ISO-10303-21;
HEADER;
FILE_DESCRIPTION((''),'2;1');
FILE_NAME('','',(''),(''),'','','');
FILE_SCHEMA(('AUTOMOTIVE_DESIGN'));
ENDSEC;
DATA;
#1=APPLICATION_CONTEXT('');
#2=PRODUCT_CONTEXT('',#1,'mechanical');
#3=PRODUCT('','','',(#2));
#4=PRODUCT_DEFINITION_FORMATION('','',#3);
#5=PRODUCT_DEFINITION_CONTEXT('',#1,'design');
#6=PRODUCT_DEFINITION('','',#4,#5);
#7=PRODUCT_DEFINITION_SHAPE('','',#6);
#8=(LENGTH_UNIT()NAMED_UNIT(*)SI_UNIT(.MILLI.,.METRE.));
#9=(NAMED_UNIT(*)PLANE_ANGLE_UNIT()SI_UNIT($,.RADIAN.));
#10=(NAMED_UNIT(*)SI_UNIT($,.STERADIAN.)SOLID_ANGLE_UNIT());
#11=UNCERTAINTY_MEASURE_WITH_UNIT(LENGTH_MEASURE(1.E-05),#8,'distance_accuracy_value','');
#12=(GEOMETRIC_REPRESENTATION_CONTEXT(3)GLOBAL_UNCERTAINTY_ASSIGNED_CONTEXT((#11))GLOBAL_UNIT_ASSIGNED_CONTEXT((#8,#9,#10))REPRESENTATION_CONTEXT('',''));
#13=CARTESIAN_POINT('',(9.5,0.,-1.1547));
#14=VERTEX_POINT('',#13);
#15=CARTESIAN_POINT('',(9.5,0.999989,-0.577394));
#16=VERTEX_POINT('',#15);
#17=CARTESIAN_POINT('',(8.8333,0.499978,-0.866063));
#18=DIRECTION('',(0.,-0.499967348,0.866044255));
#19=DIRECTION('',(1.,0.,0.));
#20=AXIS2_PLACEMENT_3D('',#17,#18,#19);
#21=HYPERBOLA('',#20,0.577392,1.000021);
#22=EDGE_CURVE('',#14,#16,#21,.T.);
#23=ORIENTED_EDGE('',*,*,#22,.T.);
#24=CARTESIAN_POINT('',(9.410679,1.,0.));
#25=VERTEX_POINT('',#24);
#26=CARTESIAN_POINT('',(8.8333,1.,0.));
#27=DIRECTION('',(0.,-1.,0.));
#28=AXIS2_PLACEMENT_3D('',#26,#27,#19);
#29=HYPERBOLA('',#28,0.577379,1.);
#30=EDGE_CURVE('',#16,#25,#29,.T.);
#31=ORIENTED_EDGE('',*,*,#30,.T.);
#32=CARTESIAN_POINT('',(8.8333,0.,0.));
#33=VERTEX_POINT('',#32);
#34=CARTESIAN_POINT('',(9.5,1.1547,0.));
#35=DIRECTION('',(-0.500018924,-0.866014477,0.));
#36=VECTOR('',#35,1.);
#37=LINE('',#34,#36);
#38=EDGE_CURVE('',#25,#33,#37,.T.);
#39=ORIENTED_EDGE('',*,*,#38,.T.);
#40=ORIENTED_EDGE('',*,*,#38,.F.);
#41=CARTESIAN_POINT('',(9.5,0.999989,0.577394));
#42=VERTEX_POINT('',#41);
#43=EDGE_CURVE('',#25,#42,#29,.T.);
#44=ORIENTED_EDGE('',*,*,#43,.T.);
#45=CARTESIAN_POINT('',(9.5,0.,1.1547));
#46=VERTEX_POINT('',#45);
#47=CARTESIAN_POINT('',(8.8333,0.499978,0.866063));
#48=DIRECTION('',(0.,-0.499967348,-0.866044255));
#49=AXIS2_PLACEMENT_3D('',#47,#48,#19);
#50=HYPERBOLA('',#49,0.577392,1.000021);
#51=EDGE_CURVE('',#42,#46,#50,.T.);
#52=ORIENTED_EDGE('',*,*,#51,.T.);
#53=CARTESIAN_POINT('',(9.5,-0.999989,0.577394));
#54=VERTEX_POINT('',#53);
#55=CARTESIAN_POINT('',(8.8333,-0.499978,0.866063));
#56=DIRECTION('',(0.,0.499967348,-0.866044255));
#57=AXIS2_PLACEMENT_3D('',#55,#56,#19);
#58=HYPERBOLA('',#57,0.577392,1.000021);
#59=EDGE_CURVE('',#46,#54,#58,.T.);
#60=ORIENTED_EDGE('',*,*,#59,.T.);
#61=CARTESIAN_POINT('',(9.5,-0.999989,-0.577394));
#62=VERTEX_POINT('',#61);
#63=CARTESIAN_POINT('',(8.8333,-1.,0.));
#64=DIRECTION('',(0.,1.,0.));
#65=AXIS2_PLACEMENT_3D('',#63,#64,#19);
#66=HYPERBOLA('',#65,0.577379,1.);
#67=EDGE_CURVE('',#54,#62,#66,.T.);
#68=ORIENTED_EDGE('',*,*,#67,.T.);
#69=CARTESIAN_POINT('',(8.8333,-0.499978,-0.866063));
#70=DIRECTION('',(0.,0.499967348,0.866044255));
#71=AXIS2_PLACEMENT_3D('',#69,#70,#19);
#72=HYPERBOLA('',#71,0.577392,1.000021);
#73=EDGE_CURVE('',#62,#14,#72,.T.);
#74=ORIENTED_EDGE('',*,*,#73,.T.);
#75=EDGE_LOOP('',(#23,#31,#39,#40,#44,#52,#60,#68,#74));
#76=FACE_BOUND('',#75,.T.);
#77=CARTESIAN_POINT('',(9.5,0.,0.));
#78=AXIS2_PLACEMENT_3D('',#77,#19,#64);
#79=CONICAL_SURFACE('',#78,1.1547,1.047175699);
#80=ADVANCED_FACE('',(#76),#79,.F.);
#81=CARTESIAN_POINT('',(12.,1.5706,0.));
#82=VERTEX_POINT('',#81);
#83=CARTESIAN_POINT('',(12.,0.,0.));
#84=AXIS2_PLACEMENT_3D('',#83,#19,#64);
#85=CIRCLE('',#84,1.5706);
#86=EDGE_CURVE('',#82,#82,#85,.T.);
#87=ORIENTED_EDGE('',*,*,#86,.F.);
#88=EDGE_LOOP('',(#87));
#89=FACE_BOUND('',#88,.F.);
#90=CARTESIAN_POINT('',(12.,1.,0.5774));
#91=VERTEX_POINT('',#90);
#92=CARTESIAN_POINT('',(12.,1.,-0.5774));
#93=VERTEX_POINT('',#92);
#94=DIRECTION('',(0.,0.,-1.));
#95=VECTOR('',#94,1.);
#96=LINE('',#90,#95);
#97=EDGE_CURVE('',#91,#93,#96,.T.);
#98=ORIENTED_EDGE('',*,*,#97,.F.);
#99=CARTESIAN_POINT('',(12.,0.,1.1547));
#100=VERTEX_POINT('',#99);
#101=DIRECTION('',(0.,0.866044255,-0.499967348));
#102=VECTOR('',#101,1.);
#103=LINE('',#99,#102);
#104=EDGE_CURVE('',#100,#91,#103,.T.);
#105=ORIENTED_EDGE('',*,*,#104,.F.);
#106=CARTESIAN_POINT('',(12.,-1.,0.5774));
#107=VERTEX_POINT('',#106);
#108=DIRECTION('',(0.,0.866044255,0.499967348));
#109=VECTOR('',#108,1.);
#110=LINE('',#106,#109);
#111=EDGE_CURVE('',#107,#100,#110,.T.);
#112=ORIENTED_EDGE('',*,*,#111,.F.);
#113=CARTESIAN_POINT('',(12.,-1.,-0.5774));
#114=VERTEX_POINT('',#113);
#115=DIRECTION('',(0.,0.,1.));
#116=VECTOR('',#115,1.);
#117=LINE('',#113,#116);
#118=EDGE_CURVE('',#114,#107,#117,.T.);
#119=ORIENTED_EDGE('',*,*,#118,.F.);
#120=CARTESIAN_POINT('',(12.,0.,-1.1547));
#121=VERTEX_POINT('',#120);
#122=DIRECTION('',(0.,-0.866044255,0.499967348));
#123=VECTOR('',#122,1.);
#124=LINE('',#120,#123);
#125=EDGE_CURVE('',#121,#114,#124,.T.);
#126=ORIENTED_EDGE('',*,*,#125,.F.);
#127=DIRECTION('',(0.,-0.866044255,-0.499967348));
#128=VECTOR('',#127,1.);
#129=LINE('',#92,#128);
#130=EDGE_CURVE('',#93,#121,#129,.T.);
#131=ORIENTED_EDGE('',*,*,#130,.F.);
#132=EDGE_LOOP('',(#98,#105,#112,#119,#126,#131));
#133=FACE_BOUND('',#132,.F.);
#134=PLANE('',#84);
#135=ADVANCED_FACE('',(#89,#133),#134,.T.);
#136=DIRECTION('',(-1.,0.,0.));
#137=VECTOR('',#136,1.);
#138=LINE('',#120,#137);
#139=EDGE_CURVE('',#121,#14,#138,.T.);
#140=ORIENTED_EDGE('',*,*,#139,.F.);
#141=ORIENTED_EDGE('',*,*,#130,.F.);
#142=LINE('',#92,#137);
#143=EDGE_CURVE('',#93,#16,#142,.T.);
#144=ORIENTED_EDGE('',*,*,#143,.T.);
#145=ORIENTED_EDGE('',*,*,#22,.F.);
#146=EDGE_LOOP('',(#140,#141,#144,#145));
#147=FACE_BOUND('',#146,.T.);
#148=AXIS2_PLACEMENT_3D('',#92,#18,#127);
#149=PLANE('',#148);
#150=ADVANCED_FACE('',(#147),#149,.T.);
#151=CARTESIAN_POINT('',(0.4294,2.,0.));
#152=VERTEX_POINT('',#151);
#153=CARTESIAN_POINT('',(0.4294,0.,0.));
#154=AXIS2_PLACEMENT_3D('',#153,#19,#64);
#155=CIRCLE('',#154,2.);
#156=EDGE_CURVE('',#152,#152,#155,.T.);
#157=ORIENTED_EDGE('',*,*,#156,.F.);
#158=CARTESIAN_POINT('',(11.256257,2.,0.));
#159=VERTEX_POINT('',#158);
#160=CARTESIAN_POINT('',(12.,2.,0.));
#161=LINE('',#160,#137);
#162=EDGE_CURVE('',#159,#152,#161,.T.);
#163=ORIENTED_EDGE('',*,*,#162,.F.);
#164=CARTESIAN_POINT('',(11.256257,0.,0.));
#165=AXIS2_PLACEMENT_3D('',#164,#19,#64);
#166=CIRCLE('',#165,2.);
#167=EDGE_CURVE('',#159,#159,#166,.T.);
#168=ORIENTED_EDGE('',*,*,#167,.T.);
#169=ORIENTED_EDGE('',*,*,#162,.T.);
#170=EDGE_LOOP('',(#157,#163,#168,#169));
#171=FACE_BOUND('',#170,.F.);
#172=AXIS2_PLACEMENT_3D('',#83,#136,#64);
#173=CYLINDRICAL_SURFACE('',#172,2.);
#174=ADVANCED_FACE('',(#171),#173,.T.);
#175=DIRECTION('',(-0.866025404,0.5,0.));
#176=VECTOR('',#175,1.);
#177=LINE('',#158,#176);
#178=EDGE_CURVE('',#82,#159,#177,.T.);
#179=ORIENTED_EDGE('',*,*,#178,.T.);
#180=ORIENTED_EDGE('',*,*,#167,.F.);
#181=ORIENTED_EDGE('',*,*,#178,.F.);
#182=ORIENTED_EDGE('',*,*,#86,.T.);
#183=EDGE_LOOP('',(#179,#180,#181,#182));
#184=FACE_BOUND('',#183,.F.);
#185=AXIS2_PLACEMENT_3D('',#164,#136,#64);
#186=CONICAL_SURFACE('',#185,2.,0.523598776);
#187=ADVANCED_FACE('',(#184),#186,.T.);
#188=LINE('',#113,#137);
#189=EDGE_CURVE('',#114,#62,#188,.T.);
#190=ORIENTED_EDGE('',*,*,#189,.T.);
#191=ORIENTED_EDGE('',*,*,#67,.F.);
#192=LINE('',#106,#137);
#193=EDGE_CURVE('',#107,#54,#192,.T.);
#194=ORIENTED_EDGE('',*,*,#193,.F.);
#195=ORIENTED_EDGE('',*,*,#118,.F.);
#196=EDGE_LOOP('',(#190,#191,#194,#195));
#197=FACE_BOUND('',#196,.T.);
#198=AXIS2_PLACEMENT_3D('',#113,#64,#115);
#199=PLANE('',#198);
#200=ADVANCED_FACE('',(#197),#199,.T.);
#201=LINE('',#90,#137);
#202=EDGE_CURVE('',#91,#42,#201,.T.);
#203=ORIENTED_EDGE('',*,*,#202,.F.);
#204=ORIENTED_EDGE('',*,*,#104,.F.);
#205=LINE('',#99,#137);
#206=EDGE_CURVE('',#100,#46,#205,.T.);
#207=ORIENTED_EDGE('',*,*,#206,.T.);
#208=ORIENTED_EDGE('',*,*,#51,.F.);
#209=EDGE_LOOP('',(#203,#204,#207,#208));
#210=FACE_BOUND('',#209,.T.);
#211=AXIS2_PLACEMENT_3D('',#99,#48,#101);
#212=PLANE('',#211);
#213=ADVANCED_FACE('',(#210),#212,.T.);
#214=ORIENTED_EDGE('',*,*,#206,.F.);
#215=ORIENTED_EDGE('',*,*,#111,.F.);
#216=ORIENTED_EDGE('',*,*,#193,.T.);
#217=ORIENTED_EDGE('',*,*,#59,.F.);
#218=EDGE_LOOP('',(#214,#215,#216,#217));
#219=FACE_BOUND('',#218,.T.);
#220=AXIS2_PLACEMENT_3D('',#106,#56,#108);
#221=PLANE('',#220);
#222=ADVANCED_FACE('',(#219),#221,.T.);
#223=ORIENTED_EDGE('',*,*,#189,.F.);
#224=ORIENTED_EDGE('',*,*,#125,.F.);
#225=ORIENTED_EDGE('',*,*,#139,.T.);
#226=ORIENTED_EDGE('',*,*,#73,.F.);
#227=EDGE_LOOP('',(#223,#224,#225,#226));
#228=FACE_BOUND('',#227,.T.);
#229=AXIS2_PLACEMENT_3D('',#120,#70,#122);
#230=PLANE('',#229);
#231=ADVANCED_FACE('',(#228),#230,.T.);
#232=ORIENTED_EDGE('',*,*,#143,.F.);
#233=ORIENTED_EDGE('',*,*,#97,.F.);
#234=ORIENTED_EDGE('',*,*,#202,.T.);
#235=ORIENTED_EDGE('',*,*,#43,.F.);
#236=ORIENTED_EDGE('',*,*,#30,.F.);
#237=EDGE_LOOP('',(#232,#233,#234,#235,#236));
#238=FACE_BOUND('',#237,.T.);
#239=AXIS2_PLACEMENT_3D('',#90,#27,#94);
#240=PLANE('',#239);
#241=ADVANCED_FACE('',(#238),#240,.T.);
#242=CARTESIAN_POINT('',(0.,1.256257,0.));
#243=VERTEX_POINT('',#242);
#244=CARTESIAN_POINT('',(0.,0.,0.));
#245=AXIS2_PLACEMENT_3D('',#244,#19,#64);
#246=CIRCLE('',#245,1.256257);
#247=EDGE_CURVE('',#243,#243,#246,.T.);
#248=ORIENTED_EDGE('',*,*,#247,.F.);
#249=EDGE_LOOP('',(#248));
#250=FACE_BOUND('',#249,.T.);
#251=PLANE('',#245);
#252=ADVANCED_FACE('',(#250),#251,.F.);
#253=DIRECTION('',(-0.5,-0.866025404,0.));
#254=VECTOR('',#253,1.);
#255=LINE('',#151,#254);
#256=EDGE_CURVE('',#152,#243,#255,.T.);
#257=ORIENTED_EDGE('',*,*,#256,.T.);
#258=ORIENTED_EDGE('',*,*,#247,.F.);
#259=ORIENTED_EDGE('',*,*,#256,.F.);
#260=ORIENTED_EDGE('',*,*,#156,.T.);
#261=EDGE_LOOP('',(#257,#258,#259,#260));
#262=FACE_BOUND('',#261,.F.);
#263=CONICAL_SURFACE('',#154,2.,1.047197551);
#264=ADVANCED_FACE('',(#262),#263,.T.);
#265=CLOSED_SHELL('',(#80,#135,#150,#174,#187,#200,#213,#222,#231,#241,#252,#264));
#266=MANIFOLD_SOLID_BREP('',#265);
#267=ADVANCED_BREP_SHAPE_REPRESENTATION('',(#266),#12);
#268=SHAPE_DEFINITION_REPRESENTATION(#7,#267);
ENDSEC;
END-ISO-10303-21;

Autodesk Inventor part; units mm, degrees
ref_plane "YZ Plane" through (0, 0, 0) normal (1, 0, 0) x (0, 1, 0)
ref_plane "XZ Plane" through (0, 0, 0) normal (0, 1, 0) x (-1, 0, 0)
sketch "Sketch1" plane through (0, 0, 0) normal (0, 0, 1) x (1, 0, 0)
  line L0 (0, 0) -> (8.8333, 0)
  line L1 (12, 1.1547) -> (12, 2)
  line L2 (12, 2) -> (0, 2)
  line L3 (12, 1.1547) -> (9.5, 1.1547)
  line L4 (9.5, 1.1547) -> (8.8333, 0)
  line L5 (0, -0.4) -> (0, 2.4) projected
  line L6 (0, 2) -> (0, 0)
  dimension "d0" = 2.5
  dimension "d1" = 60
  dimension "d2" = 4
  dimension "d3" = 2.3094
  dimension "d5" = 12
revolve "Body" add sketch "Sketch1" angle 360 about axis through (0, 0, 0) along (1, 0, 0)
chamfer "Chamfer1" distance 0.4294 angle 60 1 edges at (12, -2, 0) measured on face at (12, 1.6877, -0.2517)
sketch "Sketch2" plane through (12, 0, 0) normal (1, 0, 0) x (0, 0, -1)
  circle A0 centre (0, 0) radius 1.1547 projected
  line L0 (-0.5774, 1) -> (0.5774, 1)
  line L1 (0.5774, 1) -> (1.1547, 0)
  line L2 (1.1547, 0) -> (0.5774, -1)
  line L3 (0.5774, -1) -> (-0.5774, -1)
  line L4 (-0.5774, -1) -> (-1.1547, 0)
  line L5 (-1.1547, 0) -> (-0.5774, 1)
  point P0 (0, 0)
  point P1 (0, 0)
extrude "Slot" add sketch "Sketch2" against normal up to next contours L1 A0 | A0 L2 | L0 A0 | A0 L3 | L5 A0 | A0 L4
thread "Thread" size "M4x0.7" class "6g" standard "ISO Metric profile" length 12
chamfer "Chamfer2" distance 0.4294 angle 60 1 edges at (0, -2, 0) measured on face at (3.7521, 1.9935, -0.1609)
ref_plane "Work Plane1" through (6, 0, 0) normal (0, 0.5, 0.866) x (1, 0, 0)
equation "\"d0\" = INTI"
equation "\"d2\" = NND"
equation "\"d3\" = 1.1547 * SW"
equation "\"d5\" = NLG"
equation "\"d7\" = -0.5 * GD1 + 0.5 * NND"
equation "\"d8\" = FAWI"
equation "\"d29\" = -0.5 * GD1 + 0.5 * NND"
equation "\"d11\" = NLG"
equation "\"d13\" = -0.5 * GD1 + 0.5 * NND"
equation "\"d14\" = FAWI"
equation "\"d30\" = -0.5 * GD1 + 0.5 * NND"
equation "\"NND\" = 4"
equation "\"NLG\" = 12"
equation "\"INTI\" = 2.5"
equation "\"FAWI\" = 60deg"
equation "\"SW\" = 2"
equation "\"GD1\" = THREADDIA - 1.2269 * PTC"
equation "\"FAWI1\" = 45deg"
equation "\"GUL\" = 0.61345 * PTC"
equation "\"SPD\" = 2"
equation "\"TOA\" = 30deg"
equation "\"THREADDIA\" = 4"
equation "\"PTC\" = 0.7"
equation "\"GAL\" = 0.61345 * PTC"
equation "\"E0\" = 1.155 * SW"
properties part number "AS 1421 - M4 x 12 Flat Point" material "Steel, Mild"
